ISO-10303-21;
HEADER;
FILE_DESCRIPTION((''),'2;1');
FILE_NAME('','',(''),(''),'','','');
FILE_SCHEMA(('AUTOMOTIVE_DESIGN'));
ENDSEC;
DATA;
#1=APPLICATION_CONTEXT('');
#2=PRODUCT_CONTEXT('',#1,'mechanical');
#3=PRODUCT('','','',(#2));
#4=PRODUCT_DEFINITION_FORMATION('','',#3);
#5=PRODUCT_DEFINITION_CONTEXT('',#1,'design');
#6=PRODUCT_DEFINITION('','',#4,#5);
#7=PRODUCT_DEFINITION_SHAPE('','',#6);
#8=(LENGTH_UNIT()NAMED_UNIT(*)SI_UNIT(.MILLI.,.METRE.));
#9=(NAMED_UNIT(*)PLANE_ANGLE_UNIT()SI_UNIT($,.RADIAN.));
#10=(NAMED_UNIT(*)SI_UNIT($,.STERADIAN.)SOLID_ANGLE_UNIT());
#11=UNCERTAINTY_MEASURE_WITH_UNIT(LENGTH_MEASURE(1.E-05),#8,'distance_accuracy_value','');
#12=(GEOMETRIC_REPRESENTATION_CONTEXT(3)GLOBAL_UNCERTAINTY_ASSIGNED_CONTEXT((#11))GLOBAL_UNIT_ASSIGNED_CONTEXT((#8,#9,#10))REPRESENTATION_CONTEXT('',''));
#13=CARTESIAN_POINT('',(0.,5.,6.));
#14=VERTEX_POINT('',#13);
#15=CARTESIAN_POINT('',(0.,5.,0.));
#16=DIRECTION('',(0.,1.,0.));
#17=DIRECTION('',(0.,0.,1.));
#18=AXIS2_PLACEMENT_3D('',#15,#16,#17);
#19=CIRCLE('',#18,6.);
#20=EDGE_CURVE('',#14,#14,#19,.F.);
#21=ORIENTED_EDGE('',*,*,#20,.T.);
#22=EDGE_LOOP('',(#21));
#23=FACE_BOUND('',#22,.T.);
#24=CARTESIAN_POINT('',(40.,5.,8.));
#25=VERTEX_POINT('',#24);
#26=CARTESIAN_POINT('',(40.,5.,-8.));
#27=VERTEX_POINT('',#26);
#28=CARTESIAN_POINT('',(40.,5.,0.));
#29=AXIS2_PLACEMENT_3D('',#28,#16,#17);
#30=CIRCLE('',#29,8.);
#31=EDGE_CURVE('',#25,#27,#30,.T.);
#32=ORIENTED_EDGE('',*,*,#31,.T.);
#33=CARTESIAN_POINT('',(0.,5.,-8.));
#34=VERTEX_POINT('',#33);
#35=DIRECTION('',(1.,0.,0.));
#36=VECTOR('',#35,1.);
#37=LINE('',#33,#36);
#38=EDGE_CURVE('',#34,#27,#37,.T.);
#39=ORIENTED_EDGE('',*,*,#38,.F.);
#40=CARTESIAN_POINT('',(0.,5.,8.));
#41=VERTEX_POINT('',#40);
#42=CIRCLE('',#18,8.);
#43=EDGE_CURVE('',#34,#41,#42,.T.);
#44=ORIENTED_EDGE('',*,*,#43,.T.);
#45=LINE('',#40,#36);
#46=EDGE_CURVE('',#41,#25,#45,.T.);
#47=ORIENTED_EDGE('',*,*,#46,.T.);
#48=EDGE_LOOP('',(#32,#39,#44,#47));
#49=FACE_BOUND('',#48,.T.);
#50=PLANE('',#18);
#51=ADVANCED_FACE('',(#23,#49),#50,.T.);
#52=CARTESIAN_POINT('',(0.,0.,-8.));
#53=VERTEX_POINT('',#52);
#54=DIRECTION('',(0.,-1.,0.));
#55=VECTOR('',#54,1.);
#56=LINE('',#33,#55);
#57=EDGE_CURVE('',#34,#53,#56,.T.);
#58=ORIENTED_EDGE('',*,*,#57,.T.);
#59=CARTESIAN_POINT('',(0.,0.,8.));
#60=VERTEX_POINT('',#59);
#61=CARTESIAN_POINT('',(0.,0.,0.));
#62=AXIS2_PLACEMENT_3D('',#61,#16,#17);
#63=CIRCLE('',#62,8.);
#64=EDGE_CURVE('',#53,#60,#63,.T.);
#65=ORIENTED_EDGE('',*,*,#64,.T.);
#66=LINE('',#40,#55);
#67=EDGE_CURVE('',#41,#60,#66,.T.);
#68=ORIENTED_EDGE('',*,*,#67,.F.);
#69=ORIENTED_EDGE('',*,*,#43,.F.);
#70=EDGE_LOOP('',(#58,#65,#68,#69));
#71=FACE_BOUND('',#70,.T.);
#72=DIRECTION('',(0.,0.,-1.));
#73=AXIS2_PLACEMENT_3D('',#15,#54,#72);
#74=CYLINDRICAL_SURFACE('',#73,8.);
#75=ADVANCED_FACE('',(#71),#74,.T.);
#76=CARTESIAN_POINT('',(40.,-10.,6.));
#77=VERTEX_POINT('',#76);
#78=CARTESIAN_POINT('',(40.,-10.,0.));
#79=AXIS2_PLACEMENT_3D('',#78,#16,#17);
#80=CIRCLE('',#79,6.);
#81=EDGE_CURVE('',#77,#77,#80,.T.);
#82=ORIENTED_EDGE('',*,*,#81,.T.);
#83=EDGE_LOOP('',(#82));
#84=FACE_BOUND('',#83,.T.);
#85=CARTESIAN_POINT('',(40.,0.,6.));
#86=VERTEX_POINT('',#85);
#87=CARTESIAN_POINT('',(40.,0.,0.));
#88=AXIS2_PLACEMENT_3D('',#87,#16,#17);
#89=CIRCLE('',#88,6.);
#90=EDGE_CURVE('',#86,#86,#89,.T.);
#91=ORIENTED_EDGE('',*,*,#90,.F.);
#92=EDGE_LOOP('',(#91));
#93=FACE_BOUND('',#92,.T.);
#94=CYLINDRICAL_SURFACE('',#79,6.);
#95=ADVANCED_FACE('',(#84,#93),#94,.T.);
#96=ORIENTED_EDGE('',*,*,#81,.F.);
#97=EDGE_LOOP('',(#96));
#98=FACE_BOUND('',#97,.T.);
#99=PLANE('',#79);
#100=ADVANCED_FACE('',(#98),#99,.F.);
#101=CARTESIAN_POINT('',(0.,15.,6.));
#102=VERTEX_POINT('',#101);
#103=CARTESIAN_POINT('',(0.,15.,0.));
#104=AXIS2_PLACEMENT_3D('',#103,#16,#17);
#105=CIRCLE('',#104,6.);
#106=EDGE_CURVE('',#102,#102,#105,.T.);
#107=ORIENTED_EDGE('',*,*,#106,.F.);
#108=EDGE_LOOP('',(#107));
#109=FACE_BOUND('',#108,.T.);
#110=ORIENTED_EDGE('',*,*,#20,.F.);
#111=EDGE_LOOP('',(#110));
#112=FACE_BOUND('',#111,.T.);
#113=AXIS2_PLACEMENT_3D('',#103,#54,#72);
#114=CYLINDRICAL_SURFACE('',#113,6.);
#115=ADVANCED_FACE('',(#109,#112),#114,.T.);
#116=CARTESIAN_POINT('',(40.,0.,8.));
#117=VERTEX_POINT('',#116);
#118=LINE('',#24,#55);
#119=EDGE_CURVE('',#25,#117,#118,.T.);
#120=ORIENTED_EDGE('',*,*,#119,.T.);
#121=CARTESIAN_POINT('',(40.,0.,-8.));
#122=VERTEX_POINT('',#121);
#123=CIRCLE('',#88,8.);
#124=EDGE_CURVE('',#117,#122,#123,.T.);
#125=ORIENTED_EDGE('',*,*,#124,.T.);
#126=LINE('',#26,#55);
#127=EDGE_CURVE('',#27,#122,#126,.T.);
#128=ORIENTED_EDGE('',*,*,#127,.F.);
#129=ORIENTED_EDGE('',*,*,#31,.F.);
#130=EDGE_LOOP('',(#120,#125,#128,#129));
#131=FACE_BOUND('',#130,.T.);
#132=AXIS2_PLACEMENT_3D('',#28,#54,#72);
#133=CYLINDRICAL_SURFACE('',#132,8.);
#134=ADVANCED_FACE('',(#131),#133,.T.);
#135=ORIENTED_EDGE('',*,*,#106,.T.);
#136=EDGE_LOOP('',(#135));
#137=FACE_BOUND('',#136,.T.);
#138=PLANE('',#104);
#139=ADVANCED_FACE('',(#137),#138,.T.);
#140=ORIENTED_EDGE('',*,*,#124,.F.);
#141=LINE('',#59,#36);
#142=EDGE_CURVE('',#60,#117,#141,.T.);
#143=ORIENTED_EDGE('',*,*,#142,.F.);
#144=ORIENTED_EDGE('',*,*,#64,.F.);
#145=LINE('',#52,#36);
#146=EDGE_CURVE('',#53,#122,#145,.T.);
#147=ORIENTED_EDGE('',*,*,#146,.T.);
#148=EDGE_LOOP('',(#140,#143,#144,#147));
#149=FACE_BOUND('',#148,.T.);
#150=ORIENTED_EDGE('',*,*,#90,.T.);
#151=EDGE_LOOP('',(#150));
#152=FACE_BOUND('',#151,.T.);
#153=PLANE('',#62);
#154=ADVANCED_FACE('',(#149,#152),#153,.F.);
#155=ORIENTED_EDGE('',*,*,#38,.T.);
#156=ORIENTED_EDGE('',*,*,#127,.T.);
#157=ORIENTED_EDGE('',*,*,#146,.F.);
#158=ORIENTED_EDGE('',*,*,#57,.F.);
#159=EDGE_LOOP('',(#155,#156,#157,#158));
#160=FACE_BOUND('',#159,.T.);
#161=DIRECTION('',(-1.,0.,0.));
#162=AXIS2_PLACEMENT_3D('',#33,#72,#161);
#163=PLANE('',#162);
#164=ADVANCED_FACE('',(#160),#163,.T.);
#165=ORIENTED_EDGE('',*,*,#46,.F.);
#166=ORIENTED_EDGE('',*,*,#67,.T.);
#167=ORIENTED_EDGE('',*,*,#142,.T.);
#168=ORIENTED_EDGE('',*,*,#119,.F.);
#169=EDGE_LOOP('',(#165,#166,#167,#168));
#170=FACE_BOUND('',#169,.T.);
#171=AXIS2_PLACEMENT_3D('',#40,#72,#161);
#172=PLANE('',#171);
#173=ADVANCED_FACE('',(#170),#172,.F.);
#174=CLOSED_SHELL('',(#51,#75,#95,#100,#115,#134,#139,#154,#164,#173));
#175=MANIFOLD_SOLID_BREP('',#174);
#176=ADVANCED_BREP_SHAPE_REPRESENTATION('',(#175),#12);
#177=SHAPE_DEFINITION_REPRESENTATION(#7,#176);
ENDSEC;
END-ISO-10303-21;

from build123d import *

# Parameters (mm, degrees)
BOSS_EXTRUDE1_DEPTH = 5
SKETCH1_3_R         = 6
BOSS_EXTRUDE2_DEPTH = 15
SKETCH1_4_R         = 6
BOSS_EXTRUDE3_DEPTH = 10


with BuildPart() as part:
    # Sketch1 → Boss-Extrude1 (new body)
    with BuildSketch(Plane(origin=(0, 0, 0), x_dir=(1, 0, 0), z_dir=(0, 1, 0))):
        with BuildLine():
            Line((40, 8), (0, 8))
            ThreePointArc((0, 8), (-8, 0), (0, -8))
            Line((0, -8), (40, -8))
            ThreePointArc((40, -8), (48, 0), (40, 8))
        make_face()
    extrude(amount=BOSS_EXTRUDE1_DEPTH)

    # Sketch1<3> → Boss-Extrude2 (add)
    with BuildSketch(Plane(origin=(0, 0, 0), x_dir=(1, 0, 0), z_dir=(0, 1, 0))):
        Circle(SKETCH1_3_R)
    extrude(amount=BOSS_EXTRUDE2_DEPTH)

    # Sketch1<4> → Boss-Extrude3 (add)
    with BuildSketch(Plane(origin=(0, 0, 0), x_dir=(1, 0, 0), z_dir=(0, 1, 0))):
        with Locations((40, 0)):
            Circle(SKETCH1_4_R)
    extrude(amount=-BOSS_EXTRUDE3_DEPTH)


solid = part.part
